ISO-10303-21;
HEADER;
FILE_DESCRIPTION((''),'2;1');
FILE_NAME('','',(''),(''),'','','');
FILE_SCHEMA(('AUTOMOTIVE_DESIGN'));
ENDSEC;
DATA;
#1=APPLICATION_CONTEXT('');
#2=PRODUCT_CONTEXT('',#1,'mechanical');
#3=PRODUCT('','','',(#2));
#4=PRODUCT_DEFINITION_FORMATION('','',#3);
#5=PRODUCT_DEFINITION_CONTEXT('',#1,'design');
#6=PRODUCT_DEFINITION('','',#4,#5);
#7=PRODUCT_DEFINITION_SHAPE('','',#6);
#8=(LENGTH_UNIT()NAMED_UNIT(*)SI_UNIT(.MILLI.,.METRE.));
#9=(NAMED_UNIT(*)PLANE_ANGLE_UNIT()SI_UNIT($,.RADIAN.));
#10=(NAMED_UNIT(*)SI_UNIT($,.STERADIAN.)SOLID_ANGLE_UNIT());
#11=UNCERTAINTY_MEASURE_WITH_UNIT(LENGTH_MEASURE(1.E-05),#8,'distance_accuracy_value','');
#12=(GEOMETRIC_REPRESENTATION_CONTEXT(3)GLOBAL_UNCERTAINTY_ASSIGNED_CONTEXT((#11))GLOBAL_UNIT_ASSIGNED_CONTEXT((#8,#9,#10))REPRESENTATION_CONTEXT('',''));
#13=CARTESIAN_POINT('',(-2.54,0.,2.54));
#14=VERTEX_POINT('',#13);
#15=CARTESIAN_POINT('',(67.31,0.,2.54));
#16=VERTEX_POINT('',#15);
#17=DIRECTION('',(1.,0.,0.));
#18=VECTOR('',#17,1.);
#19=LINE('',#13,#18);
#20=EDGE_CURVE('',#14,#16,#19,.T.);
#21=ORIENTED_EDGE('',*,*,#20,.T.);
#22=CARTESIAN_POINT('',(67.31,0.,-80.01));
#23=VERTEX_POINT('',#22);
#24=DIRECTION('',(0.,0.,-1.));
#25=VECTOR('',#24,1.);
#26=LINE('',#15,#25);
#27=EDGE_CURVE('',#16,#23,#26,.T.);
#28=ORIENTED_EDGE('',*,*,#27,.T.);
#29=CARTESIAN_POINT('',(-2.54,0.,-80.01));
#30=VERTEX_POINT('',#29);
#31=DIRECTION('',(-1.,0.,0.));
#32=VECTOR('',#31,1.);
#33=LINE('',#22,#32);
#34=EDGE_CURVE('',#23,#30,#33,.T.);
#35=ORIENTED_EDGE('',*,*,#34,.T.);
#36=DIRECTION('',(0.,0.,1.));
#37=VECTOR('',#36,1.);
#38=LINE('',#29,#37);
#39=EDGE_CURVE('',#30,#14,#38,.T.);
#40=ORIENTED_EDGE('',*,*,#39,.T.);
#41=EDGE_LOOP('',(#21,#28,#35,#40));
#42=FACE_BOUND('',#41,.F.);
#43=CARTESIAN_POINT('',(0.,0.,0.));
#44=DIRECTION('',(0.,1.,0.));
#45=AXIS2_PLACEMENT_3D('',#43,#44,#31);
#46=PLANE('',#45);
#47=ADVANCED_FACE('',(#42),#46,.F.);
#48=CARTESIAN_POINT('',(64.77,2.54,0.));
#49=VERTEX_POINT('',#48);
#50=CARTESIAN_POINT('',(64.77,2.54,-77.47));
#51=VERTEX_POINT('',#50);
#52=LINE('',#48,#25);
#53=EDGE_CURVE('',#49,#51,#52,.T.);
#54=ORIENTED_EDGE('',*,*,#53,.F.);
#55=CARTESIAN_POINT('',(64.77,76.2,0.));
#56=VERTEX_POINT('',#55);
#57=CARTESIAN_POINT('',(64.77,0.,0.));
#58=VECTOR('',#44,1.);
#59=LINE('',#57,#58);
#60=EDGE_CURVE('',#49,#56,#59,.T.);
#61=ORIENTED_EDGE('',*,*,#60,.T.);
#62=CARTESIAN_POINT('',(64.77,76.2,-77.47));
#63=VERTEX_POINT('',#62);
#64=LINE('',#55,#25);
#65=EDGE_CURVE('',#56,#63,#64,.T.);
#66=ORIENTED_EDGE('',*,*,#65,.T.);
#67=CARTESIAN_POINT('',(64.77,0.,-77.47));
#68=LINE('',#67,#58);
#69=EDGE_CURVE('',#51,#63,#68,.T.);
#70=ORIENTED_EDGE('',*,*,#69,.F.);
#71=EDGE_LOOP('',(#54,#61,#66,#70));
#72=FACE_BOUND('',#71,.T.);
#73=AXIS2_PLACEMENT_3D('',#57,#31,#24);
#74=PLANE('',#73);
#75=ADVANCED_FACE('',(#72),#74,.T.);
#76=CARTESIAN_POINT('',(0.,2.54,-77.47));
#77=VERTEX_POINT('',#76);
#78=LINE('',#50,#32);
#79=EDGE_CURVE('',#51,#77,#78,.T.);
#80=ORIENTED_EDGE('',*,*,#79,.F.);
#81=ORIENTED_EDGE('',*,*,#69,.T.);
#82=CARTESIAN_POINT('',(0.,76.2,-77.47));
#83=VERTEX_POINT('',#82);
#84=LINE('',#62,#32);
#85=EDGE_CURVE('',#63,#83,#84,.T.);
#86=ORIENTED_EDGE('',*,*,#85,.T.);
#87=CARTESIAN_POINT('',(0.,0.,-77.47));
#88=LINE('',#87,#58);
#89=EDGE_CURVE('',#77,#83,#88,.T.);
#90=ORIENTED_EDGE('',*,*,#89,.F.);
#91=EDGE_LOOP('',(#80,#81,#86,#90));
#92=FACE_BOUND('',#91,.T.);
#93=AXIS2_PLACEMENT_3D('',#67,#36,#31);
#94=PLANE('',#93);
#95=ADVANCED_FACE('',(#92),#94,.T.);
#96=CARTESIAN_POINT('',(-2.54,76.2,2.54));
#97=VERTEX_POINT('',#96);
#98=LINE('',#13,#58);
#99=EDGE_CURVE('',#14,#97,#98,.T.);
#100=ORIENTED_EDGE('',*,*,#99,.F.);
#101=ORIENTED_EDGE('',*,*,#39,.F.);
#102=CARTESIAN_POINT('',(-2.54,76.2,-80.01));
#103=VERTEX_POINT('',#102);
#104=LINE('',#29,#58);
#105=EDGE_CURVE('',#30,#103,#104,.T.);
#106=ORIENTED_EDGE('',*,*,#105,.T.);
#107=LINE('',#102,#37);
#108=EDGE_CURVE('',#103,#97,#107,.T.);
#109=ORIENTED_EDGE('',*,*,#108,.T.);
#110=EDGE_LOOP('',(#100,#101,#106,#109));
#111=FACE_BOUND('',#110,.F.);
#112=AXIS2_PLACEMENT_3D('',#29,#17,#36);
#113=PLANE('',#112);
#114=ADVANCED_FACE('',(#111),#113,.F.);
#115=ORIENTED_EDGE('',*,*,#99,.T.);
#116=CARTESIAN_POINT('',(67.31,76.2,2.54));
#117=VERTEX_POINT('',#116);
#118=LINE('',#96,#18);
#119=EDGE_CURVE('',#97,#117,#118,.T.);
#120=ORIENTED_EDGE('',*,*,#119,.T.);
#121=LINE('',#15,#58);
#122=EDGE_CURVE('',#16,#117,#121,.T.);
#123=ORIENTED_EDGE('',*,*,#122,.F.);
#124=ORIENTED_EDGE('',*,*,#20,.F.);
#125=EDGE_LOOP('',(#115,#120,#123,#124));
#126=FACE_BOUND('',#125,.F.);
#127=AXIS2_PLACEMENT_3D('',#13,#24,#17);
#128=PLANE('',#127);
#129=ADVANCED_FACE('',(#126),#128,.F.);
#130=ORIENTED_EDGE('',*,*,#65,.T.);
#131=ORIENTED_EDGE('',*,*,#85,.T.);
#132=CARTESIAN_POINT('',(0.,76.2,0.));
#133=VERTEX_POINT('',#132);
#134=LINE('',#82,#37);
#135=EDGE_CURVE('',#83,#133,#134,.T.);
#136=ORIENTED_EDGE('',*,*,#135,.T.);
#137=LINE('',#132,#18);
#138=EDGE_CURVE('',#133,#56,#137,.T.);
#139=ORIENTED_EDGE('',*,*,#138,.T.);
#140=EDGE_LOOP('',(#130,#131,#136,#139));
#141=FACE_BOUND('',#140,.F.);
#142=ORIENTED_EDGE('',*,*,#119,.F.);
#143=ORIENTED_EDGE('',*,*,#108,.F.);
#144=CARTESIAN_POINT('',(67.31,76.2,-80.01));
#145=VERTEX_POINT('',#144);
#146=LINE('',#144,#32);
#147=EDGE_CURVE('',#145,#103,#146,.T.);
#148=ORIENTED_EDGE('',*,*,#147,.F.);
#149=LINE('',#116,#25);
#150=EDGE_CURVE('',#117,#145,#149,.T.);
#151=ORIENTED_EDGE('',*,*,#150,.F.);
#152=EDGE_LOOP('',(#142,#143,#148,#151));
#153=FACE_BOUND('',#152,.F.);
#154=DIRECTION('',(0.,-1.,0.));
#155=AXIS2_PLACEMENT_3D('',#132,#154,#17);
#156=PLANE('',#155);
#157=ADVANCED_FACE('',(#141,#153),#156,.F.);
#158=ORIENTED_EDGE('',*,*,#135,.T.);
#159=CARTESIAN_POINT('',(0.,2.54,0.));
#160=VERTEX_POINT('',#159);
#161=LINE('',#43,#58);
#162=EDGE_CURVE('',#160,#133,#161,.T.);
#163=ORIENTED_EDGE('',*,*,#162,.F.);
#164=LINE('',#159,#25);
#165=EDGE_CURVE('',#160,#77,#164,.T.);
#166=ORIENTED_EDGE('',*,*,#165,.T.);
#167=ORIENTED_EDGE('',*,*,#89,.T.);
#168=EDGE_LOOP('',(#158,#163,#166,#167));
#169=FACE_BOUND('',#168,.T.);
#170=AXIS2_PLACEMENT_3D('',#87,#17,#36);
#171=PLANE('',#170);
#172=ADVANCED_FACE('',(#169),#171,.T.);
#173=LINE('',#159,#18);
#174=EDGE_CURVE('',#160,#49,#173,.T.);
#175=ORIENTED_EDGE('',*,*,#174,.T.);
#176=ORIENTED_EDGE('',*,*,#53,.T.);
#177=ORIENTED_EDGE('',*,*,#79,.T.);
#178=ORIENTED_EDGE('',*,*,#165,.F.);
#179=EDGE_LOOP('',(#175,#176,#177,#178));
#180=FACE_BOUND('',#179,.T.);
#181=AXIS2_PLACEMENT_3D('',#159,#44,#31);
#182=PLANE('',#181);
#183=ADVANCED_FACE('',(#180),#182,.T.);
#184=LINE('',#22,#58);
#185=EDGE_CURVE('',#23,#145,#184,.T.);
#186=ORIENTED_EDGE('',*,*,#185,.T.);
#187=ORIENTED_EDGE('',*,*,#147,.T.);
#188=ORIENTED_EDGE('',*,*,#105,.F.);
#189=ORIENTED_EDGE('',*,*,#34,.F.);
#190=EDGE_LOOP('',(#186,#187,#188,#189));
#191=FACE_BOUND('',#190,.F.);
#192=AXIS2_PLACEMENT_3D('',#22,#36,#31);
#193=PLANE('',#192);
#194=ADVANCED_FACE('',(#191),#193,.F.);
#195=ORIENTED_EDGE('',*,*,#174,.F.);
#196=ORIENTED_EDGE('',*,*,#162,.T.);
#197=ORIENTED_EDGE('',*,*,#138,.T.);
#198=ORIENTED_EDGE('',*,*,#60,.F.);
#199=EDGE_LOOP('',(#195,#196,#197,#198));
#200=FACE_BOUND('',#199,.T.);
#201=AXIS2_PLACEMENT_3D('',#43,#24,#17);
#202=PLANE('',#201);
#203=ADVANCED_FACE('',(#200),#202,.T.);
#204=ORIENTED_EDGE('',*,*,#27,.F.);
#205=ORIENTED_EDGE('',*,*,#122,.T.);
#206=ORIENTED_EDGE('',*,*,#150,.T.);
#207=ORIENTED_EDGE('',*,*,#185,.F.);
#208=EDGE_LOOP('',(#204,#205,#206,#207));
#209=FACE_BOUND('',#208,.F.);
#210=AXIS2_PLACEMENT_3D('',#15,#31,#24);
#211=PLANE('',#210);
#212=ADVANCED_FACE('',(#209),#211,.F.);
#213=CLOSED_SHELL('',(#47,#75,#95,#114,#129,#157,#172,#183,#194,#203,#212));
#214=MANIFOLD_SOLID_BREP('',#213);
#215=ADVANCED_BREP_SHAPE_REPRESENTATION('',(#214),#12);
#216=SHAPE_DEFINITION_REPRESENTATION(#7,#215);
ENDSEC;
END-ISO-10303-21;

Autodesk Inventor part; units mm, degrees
ref_plane "YZ Plane" through (0, 0, 0) normal (1, 0, 0) x (0, 1, 0)
ref_plane "XZ Plane" through (0, 0, 0) normal (0, 1, 0) x (-1, 0, 0)
ref_plane "XY Plane" through (0, 0, 0) normal (0, 0, 1) x (1, 0, 0)
sketch "Sketch1" plane through (0, 0, 0) normal (0, 1, 0) x (-1, 0, 0)
  line L0 (0, 0) -> (-64.77, 0)
  line L1 (0, 0) -> (0, -77.47)
  line L2 (0, 0) -> (-64.77, 0)
  line L3 (-64.77, 0) -> (-64.77, -77.47)
  line L4 (-64.77, -77.47) -> (0, -77.47)
  line L5 (0, -77.47) -> (0, 0)
  dimension "d0" = 64.77
  dimension "d1" = 77.47
extrude "Extrusion1" add sketch "Sketch1" along normal blind 2.54
sketch "Sketch2" plane through (0, 0, 0) normal (0, -1, 0) x (1, 0, 0)
  line L0 (0, -77.47) -> (0, 0) projected
  line L1 (64.77, -77.47) -> (0, -77.47) projected
  line L2 (64.77, 0) -> (64.77, -77.47) projected
  line L3 (0, 0) -> (64.77, 0) projected
  line L4 (67.31, 2.54) -> (67.31, -80.01)
  line L5 (67.31, -80.01) -> (-2.54, -80.01)
  line L6 (-2.54, -80.01) -> (-2.54, 2.54)
  line L7 (-2.54, 2.54) -> (67.31, 2.54)
  dimension "d4" = 2.54
extrude "Extrusion2" add sketch "Sketch2" against normal blind 76.2
properties part number "blankbox"
